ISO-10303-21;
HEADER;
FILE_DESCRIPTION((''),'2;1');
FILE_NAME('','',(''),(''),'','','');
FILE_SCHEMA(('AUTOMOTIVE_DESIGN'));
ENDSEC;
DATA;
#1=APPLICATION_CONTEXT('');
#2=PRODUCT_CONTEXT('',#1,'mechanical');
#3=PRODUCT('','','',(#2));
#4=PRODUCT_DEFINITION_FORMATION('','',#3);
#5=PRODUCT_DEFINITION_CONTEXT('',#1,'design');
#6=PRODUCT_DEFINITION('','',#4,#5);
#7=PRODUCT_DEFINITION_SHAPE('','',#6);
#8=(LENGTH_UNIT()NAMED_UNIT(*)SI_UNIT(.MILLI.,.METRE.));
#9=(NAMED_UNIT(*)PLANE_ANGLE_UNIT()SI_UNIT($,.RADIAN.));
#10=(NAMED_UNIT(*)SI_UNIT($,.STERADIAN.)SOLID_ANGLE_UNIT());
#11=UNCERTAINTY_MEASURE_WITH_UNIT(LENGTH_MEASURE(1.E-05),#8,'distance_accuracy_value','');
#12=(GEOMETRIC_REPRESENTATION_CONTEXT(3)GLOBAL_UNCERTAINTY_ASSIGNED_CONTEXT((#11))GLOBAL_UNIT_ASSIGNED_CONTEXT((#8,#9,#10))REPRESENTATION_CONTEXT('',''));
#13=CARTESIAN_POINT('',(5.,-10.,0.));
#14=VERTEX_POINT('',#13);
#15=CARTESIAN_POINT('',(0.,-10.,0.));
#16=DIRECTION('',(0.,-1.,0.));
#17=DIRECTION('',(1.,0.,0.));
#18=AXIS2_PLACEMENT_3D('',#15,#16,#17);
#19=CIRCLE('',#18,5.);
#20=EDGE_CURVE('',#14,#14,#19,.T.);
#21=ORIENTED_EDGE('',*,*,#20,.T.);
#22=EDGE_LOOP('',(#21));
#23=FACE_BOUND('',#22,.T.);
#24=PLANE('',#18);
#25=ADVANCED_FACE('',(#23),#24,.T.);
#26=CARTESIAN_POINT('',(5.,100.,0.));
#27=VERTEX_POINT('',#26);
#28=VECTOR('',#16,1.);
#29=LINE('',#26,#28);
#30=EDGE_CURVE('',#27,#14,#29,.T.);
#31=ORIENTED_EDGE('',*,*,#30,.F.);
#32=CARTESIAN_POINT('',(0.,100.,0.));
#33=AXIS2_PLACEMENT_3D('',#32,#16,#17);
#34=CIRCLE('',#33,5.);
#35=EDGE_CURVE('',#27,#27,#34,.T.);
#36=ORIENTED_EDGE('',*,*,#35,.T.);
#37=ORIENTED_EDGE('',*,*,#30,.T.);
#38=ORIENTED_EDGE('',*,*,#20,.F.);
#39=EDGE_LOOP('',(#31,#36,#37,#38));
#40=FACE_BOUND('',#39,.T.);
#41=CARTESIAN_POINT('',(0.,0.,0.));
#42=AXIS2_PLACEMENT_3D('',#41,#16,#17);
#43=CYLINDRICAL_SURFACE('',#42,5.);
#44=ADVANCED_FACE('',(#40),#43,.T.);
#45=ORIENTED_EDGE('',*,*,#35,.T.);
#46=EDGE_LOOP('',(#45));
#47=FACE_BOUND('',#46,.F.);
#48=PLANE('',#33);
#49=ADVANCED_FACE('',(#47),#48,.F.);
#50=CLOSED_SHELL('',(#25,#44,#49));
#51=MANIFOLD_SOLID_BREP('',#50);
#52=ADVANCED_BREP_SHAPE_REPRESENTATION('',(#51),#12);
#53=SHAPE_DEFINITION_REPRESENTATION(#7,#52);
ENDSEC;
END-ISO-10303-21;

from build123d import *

# Parameters (mm, degrees)
F0_R     = 5
F1_DEPTH = 10
F2_DEPTH = 100


with BuildPart() as f1:
    # F0 (on Front) → F1 (new body)
    with BuildSketch(Plane.XZ):
        Circle(F0_R)
    extrude(amount=F1_DEPTH)

    # F2 (add): a face of the model
    f2_faces = [f1.faces().sort_by_distance(p)[0] for p in [
        (0, 0, 0),
    ]]
    extrude(f2_faces, amount=F2_DEPTH)


solid = f1.part
